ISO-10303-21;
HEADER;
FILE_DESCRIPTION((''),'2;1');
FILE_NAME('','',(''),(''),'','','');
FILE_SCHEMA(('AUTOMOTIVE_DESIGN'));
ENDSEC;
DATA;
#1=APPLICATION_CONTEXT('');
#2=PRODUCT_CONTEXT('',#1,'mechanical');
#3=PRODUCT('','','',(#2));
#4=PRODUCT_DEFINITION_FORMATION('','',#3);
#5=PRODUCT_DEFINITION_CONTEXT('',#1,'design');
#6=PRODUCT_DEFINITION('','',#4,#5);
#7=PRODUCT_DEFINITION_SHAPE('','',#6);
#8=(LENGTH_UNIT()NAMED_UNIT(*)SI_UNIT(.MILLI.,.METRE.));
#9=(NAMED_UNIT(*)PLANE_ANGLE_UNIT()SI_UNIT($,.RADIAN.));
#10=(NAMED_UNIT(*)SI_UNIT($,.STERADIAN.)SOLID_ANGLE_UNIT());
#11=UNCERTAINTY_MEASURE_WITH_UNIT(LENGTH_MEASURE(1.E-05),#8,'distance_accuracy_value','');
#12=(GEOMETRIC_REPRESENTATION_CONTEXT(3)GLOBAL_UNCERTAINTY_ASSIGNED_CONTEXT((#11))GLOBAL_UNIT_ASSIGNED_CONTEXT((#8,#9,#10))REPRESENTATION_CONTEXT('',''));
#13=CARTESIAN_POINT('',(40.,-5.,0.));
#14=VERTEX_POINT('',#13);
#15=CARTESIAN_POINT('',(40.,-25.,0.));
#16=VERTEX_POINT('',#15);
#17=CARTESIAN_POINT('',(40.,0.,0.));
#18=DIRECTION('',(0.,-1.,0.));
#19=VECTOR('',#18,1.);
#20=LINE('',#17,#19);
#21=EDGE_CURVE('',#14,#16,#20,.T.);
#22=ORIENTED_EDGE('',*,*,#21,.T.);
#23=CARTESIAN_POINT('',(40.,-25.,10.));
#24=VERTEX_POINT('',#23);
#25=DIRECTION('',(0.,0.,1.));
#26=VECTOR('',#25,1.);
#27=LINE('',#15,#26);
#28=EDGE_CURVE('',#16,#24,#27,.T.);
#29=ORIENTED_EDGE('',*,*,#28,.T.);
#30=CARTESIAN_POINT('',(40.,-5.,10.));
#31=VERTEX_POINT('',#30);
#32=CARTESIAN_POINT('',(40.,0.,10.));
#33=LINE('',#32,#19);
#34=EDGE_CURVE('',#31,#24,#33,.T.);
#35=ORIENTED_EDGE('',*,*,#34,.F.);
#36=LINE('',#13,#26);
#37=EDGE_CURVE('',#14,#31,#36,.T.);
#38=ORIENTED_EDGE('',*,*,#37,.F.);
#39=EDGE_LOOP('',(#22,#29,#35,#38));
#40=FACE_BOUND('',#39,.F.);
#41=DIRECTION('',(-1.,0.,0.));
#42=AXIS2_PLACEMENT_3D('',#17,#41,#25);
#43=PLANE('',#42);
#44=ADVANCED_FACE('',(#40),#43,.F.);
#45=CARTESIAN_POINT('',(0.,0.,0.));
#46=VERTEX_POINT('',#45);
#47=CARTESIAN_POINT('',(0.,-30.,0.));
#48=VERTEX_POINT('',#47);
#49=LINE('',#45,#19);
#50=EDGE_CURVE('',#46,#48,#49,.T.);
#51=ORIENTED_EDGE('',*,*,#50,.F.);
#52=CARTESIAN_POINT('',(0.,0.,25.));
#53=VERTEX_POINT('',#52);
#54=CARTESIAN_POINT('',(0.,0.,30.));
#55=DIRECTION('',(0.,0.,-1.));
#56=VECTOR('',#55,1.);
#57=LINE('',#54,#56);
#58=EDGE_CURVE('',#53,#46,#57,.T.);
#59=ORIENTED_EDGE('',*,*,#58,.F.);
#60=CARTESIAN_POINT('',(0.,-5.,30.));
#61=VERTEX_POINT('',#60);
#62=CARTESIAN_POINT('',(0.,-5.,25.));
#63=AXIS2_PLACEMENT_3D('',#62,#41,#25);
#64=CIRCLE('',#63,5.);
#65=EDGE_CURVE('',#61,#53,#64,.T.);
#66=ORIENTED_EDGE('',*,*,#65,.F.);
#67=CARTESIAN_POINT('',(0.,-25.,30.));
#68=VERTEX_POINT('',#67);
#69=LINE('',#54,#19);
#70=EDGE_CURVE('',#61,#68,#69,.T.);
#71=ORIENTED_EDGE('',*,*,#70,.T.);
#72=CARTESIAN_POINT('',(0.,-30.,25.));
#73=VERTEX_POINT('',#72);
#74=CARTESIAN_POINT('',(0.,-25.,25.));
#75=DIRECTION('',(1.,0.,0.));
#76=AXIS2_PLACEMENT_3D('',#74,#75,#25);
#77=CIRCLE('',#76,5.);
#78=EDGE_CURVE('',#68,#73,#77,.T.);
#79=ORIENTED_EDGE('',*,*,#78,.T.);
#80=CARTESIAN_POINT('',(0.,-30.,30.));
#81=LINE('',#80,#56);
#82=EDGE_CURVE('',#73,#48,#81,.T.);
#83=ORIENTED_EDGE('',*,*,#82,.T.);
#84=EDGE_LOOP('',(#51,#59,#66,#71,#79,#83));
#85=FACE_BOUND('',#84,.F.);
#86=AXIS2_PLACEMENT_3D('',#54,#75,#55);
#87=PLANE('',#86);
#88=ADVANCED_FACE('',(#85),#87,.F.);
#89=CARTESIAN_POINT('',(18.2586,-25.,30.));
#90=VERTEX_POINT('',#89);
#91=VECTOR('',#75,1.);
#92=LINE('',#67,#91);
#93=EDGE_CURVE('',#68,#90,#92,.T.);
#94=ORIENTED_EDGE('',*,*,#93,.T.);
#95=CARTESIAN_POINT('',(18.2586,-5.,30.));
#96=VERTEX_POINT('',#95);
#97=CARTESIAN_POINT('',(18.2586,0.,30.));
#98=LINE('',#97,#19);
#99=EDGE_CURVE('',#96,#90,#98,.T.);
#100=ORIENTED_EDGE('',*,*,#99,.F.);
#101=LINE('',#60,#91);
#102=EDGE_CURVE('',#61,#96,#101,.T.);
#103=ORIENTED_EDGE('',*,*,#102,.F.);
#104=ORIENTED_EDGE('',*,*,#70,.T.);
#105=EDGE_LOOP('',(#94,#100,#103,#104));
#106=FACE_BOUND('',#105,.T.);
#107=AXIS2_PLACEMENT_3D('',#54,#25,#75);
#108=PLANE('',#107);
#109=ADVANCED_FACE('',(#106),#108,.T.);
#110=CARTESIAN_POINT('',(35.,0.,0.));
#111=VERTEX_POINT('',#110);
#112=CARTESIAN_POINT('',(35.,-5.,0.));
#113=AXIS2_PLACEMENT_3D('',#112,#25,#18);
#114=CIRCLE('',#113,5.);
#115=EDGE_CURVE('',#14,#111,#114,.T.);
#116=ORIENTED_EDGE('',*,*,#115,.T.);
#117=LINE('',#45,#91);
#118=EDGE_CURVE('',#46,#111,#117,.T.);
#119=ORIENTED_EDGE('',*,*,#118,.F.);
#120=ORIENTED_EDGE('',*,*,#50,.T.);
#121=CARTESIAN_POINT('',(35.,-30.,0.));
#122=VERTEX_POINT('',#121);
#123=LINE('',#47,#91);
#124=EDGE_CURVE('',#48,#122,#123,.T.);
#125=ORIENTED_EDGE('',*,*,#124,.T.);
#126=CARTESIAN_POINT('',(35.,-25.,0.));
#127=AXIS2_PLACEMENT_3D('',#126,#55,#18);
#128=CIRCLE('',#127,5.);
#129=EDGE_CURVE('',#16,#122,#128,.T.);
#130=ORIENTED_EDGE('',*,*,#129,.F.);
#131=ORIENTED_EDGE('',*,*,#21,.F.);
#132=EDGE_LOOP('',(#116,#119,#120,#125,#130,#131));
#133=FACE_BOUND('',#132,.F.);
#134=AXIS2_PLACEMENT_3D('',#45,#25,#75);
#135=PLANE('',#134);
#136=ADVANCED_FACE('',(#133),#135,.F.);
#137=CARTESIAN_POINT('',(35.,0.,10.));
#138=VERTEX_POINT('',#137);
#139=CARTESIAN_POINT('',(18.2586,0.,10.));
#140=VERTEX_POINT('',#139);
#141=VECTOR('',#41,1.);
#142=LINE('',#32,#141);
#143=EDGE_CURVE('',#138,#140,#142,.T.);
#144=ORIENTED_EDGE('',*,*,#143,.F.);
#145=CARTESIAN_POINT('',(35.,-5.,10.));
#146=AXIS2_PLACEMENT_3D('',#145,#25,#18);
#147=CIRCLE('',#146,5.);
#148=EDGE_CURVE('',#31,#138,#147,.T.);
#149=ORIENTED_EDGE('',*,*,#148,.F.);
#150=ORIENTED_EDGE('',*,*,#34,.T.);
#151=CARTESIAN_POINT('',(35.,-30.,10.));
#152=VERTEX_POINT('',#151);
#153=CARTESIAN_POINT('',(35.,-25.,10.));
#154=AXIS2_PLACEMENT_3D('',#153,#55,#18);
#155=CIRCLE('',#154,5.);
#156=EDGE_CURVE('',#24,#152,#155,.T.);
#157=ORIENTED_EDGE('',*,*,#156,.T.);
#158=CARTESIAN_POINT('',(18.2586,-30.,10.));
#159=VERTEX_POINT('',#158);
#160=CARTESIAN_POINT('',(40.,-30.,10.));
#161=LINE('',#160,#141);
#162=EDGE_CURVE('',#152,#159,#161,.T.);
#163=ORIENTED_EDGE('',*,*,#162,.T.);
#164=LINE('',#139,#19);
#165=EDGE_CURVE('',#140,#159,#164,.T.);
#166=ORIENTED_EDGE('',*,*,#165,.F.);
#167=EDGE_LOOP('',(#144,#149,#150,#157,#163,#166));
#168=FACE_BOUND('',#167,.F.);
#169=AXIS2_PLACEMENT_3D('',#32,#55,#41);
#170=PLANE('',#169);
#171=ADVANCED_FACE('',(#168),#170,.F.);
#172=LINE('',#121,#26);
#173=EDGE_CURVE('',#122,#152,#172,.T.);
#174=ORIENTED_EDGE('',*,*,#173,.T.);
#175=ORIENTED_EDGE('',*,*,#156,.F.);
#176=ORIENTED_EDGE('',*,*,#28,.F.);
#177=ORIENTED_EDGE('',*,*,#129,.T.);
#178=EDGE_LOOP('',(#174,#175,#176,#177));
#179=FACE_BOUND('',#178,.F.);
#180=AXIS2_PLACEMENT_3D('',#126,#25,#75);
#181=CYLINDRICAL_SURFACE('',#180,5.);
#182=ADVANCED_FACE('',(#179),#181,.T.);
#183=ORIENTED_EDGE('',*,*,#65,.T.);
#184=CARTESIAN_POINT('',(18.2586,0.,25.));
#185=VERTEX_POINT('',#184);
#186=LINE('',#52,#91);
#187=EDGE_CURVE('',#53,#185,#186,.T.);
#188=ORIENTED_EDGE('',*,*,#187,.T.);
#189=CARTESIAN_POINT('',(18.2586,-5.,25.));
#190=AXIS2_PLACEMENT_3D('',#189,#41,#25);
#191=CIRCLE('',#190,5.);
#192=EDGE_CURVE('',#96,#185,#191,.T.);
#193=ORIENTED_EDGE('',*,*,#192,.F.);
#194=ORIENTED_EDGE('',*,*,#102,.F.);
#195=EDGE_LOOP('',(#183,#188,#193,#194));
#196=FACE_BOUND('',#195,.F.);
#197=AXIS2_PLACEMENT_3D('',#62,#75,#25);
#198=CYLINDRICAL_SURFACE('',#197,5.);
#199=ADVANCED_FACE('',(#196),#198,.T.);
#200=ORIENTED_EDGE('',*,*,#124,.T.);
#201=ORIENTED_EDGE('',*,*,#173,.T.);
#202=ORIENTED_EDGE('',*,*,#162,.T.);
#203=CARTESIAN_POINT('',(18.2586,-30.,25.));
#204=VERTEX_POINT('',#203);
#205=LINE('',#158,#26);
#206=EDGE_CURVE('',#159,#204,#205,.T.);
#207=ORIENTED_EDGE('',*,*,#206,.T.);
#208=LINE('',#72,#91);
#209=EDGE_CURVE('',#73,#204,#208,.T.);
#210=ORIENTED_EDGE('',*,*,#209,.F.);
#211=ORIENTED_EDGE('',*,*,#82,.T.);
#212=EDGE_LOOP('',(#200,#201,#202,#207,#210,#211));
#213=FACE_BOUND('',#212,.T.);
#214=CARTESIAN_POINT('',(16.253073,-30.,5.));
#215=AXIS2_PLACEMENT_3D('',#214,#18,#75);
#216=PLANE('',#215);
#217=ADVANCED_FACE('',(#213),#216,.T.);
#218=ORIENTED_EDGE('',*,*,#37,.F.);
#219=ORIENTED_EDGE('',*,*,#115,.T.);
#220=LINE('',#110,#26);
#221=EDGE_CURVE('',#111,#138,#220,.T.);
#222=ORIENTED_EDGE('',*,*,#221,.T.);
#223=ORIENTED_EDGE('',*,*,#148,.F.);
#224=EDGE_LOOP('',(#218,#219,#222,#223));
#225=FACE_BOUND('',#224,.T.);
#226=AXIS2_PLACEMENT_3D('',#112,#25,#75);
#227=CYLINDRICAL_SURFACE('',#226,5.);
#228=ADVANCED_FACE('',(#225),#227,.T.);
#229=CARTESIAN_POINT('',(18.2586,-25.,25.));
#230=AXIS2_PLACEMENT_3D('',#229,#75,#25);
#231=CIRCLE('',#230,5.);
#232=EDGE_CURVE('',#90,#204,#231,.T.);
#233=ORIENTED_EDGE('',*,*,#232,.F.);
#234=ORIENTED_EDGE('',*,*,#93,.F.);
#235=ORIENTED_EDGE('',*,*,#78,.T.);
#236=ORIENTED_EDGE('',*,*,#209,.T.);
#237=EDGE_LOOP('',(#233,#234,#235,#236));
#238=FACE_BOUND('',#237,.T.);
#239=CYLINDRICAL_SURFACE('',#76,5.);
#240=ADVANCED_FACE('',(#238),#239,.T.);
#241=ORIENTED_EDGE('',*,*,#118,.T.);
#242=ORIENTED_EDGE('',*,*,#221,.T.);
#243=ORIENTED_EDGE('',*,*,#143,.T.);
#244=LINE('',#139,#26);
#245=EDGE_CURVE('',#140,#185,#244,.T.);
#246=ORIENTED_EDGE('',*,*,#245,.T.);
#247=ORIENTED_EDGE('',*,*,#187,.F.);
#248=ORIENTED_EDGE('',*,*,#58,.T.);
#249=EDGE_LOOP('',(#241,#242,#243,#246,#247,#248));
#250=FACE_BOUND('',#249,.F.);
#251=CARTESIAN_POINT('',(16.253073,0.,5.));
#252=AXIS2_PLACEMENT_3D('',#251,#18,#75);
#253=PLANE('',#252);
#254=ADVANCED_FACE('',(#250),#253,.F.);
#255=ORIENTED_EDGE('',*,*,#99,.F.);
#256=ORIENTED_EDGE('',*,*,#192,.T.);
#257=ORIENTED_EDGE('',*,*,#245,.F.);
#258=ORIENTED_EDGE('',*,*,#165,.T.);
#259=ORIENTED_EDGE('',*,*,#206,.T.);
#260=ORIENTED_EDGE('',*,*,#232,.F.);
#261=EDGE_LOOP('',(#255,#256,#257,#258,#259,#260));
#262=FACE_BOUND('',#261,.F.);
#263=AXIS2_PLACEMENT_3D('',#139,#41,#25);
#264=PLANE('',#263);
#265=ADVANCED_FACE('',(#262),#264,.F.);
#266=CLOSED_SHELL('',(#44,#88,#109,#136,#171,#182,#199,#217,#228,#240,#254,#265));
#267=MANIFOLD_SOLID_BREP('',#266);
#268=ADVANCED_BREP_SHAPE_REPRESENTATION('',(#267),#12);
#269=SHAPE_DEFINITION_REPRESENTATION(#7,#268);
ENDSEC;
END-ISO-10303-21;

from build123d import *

# Parameters (mm, degrees)
F0_W     = 7.493854
F0_H     = 10
F0_W_2   = 18.2586
F1_DEPTH = 30
F2_R     = 5


with BuildPart() as f1:
    # F0 (on Front) → F1 (new body)
    with BuildSketch(Plane.XZ):
        Polygon((0, 10), (0, 0), (32.506146, 0), (32.506146, 10), (18.2586, 10), align=None)
        with Locations((36.253073, 5)):
            Rectangle(F0_W, F0_H)
        with Locations((9.1293, 15)):
            Rectangle(F0_W_2, F0_H)
        with Locations((9.1293, 25)):
            Rectangle(F0_W_2, F0_H)
    extrude(amount=F1_DEPTH)

    # F2
    f2_edges = [f1.edges().sort_by_distance(p)[0] for p in [
        (9.1293, -30, 30),
        (9.1293, 0, 30),
        (40, -30, 5),
        (40, 0, 5),
    ]]
    fillet(f2_edges, radius=F2_R)


solid = f1.part
